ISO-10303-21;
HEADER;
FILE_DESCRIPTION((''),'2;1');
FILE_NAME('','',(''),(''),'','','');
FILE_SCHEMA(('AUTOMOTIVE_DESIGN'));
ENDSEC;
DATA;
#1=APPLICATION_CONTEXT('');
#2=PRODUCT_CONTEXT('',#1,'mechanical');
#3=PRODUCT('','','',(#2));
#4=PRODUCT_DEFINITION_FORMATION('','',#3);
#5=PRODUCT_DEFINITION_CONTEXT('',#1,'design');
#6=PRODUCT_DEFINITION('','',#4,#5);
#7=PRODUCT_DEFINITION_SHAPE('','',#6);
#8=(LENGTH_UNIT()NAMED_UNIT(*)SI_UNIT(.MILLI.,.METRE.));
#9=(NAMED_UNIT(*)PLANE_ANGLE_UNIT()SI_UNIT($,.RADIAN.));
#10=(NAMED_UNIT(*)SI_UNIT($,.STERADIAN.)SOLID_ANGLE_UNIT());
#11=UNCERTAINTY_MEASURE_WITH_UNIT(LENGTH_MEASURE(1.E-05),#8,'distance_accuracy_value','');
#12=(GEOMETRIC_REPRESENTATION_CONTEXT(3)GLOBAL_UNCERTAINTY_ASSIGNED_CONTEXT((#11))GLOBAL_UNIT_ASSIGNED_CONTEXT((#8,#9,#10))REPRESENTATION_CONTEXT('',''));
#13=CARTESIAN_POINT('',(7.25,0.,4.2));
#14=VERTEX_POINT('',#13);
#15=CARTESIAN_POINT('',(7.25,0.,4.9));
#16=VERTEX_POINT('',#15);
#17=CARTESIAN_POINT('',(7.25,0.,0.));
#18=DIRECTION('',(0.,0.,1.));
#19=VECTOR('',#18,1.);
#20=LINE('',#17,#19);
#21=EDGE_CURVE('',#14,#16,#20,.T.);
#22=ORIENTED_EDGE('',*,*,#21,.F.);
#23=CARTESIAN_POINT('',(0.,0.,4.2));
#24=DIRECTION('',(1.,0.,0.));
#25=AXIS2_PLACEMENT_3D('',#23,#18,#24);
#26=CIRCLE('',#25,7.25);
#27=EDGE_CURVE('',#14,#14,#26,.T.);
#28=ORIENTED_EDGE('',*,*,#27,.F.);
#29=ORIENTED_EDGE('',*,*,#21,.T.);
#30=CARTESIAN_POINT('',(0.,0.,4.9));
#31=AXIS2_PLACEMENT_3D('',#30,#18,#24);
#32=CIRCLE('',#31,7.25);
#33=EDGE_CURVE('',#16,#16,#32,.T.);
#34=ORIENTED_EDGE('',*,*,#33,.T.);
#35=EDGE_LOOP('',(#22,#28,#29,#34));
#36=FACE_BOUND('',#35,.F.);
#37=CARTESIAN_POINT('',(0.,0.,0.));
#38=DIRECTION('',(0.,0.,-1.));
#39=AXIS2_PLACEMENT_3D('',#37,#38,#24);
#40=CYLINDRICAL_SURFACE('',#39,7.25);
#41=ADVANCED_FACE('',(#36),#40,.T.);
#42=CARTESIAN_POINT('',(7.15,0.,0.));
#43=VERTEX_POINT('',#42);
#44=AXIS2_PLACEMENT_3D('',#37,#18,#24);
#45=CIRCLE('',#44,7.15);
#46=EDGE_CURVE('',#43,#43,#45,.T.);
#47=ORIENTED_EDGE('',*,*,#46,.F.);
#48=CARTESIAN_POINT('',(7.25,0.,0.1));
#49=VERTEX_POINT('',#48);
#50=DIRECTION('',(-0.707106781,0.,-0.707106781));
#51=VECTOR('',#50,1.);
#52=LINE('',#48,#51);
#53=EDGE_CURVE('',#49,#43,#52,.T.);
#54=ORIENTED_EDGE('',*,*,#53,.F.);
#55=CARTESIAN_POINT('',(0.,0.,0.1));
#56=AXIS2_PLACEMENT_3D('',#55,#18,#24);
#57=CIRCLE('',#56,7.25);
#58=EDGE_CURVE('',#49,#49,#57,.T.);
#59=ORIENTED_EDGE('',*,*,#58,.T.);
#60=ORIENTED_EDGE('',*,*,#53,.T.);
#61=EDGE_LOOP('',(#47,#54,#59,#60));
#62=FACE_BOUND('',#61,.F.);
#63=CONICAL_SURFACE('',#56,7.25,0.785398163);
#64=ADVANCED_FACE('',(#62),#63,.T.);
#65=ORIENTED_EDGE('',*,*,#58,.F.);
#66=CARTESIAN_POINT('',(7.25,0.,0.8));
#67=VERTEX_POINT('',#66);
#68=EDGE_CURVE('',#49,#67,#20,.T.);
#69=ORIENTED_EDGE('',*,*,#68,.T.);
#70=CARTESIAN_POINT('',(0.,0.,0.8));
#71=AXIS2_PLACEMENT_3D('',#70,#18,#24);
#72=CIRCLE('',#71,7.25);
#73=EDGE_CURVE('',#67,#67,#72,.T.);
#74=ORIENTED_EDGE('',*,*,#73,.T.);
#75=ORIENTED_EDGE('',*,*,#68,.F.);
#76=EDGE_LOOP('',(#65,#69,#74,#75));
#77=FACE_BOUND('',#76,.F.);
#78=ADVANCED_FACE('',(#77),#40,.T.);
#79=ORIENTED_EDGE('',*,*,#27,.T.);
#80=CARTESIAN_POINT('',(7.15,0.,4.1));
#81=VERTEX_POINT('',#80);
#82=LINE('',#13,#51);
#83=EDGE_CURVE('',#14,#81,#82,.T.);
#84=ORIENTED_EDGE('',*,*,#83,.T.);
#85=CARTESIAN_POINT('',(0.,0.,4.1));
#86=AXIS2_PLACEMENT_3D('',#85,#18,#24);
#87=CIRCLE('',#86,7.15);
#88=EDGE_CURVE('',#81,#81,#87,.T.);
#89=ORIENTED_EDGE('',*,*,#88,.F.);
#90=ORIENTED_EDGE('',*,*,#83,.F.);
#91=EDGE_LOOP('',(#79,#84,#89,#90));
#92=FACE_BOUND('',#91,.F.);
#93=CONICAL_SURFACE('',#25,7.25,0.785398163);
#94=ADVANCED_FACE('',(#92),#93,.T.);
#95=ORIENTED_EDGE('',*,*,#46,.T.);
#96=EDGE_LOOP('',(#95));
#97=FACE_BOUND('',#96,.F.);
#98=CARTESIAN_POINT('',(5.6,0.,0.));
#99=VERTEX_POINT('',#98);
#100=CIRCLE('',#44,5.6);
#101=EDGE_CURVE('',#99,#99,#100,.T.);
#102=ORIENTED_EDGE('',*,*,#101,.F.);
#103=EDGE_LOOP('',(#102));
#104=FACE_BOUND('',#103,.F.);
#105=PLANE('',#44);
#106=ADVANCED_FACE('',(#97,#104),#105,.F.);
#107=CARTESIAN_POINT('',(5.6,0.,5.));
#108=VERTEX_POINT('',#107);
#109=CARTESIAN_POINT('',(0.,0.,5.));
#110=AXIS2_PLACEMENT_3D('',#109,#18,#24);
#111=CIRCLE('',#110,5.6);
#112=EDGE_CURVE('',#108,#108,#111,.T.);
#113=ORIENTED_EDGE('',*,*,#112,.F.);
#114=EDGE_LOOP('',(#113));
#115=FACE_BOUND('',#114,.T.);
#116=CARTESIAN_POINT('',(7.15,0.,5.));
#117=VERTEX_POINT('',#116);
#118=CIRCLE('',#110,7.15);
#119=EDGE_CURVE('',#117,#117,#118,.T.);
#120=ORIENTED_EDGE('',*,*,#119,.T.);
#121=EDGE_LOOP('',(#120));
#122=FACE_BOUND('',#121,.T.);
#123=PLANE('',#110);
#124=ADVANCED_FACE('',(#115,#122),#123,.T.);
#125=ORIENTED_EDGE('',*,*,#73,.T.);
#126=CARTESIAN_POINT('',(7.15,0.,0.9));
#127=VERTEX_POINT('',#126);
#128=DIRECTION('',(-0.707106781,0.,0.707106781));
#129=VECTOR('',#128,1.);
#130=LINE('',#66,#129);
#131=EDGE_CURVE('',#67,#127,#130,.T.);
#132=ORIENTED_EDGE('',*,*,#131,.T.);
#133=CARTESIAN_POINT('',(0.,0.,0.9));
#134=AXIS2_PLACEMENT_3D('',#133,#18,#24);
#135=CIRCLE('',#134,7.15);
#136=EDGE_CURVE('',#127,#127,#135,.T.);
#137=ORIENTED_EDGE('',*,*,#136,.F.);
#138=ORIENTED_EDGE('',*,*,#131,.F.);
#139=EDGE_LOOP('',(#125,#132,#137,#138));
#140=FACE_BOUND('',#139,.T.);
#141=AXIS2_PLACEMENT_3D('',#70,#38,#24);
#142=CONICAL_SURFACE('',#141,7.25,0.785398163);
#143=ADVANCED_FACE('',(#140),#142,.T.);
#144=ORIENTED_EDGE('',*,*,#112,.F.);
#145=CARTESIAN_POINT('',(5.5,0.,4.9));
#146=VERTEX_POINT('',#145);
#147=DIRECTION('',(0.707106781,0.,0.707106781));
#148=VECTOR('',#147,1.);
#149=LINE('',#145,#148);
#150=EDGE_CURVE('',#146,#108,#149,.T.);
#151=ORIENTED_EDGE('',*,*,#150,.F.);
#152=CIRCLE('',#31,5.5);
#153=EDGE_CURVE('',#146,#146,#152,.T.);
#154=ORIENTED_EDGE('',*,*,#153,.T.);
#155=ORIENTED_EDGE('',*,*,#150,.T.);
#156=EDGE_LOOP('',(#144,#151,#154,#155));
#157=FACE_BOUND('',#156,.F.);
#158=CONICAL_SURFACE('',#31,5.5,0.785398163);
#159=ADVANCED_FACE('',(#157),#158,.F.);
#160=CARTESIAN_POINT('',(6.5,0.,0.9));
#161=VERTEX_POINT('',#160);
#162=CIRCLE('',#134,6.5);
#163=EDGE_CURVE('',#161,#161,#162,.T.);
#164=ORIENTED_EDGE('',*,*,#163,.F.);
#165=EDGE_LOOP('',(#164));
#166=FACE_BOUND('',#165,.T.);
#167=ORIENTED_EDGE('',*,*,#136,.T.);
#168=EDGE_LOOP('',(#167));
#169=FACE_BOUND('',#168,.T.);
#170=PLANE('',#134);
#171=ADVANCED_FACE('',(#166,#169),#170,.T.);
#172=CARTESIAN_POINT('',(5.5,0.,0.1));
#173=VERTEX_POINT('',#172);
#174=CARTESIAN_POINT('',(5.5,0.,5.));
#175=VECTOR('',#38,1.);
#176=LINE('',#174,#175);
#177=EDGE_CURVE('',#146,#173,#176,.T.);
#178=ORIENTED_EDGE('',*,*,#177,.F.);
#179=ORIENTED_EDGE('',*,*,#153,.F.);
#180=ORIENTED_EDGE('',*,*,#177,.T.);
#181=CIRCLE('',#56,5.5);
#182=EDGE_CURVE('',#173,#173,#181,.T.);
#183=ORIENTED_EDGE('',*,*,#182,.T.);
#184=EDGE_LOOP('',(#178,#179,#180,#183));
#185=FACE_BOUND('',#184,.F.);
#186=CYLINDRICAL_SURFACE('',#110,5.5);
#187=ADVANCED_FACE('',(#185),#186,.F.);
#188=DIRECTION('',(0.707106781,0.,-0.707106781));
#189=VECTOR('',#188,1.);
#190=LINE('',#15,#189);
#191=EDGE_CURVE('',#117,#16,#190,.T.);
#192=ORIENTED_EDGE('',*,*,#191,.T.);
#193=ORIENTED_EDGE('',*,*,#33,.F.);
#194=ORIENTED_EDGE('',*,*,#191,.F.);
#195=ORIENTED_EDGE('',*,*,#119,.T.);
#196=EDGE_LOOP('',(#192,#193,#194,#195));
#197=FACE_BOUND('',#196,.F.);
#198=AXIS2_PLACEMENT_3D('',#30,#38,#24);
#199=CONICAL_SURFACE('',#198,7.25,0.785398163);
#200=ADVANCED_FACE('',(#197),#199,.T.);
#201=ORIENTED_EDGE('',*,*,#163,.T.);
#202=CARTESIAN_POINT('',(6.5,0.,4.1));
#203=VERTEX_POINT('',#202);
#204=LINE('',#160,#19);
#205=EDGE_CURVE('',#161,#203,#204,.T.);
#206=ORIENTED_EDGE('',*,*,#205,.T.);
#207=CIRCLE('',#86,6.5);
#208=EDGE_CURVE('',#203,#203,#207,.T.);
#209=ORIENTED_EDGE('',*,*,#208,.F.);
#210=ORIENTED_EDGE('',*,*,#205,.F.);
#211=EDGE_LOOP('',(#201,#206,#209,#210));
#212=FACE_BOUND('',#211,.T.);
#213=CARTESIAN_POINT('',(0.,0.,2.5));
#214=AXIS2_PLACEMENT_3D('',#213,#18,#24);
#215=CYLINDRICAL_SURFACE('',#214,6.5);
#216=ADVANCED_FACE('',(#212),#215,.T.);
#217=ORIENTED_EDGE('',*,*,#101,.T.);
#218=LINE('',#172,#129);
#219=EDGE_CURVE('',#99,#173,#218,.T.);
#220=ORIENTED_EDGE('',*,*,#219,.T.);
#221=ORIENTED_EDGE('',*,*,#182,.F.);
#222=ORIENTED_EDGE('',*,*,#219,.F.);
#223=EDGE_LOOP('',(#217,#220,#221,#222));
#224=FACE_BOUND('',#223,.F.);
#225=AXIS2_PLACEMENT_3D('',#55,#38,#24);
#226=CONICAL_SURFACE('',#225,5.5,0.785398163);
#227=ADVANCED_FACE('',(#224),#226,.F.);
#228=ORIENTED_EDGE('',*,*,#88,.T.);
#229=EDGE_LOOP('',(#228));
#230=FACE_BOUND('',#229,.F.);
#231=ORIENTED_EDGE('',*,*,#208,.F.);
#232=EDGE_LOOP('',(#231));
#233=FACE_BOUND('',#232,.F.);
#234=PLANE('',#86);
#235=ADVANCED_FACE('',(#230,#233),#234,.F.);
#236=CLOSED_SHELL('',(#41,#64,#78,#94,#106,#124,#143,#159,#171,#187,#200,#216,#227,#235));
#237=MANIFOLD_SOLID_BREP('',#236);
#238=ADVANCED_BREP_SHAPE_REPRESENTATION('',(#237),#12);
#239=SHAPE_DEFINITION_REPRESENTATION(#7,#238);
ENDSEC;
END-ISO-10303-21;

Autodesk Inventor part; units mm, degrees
ref_plane "YZ Plane" through (0, 0, 0) normal (1, 0, 0) x (0, 1, 0)
ref_plane "XZ Plane" through (0, 0, 0) normal (0, 1, 0) x (-1, 0, 0)
sketch "Sketch1" plane through (0, 0, 0) normal (0, 0, 1) x (1, 0, 0)
  circle A0 centre (0, 0) radius 7.25
  dimension "d0" = 14.5
extrude "Extrusion1" add sketch "Sketch1" along normal blind 5
sketch "Sketch2" plane through (0, 0, 5) normal (0, 0, 1) x (1, 0, 0)
  circle A0 centre (0, 0) radius 5.5
  dimension "d3" = 11
extrude "Extrusion2" cut sketch "Sketch2" against normal through all
ref_plane "Work Plane1" through (0, 0, 2.5) normal (0, 0, 1) x (1, 0, 0)
sketch "Sketch3" plane through (0, 0, 2.5) normal (0, 0, 1) x (1, 0, 0)
  circle A0 centre (0, 0) radius 5.5 projected
  circle A1 centre (0, 0) radius 6.5
  circle A2 centre (0, 0) radius 7.25 projected
  dimension "d6" = 13
extrude "Extrusion3" cut sketch "Sketch3" along normal mid plane 3.2 contours A2
chamfer "Chamfer1" distance 0.1 angle 45 6 edges at (-7.25, 0, 4.1) (-7.25, 0, 0.9) (-7.25, 0, 0) (-7.25, 0, 5) (-5.5, 0, 0) (-5.5, 0, 5)
properties part number "roller" material "Aluminum 3004-H38"
